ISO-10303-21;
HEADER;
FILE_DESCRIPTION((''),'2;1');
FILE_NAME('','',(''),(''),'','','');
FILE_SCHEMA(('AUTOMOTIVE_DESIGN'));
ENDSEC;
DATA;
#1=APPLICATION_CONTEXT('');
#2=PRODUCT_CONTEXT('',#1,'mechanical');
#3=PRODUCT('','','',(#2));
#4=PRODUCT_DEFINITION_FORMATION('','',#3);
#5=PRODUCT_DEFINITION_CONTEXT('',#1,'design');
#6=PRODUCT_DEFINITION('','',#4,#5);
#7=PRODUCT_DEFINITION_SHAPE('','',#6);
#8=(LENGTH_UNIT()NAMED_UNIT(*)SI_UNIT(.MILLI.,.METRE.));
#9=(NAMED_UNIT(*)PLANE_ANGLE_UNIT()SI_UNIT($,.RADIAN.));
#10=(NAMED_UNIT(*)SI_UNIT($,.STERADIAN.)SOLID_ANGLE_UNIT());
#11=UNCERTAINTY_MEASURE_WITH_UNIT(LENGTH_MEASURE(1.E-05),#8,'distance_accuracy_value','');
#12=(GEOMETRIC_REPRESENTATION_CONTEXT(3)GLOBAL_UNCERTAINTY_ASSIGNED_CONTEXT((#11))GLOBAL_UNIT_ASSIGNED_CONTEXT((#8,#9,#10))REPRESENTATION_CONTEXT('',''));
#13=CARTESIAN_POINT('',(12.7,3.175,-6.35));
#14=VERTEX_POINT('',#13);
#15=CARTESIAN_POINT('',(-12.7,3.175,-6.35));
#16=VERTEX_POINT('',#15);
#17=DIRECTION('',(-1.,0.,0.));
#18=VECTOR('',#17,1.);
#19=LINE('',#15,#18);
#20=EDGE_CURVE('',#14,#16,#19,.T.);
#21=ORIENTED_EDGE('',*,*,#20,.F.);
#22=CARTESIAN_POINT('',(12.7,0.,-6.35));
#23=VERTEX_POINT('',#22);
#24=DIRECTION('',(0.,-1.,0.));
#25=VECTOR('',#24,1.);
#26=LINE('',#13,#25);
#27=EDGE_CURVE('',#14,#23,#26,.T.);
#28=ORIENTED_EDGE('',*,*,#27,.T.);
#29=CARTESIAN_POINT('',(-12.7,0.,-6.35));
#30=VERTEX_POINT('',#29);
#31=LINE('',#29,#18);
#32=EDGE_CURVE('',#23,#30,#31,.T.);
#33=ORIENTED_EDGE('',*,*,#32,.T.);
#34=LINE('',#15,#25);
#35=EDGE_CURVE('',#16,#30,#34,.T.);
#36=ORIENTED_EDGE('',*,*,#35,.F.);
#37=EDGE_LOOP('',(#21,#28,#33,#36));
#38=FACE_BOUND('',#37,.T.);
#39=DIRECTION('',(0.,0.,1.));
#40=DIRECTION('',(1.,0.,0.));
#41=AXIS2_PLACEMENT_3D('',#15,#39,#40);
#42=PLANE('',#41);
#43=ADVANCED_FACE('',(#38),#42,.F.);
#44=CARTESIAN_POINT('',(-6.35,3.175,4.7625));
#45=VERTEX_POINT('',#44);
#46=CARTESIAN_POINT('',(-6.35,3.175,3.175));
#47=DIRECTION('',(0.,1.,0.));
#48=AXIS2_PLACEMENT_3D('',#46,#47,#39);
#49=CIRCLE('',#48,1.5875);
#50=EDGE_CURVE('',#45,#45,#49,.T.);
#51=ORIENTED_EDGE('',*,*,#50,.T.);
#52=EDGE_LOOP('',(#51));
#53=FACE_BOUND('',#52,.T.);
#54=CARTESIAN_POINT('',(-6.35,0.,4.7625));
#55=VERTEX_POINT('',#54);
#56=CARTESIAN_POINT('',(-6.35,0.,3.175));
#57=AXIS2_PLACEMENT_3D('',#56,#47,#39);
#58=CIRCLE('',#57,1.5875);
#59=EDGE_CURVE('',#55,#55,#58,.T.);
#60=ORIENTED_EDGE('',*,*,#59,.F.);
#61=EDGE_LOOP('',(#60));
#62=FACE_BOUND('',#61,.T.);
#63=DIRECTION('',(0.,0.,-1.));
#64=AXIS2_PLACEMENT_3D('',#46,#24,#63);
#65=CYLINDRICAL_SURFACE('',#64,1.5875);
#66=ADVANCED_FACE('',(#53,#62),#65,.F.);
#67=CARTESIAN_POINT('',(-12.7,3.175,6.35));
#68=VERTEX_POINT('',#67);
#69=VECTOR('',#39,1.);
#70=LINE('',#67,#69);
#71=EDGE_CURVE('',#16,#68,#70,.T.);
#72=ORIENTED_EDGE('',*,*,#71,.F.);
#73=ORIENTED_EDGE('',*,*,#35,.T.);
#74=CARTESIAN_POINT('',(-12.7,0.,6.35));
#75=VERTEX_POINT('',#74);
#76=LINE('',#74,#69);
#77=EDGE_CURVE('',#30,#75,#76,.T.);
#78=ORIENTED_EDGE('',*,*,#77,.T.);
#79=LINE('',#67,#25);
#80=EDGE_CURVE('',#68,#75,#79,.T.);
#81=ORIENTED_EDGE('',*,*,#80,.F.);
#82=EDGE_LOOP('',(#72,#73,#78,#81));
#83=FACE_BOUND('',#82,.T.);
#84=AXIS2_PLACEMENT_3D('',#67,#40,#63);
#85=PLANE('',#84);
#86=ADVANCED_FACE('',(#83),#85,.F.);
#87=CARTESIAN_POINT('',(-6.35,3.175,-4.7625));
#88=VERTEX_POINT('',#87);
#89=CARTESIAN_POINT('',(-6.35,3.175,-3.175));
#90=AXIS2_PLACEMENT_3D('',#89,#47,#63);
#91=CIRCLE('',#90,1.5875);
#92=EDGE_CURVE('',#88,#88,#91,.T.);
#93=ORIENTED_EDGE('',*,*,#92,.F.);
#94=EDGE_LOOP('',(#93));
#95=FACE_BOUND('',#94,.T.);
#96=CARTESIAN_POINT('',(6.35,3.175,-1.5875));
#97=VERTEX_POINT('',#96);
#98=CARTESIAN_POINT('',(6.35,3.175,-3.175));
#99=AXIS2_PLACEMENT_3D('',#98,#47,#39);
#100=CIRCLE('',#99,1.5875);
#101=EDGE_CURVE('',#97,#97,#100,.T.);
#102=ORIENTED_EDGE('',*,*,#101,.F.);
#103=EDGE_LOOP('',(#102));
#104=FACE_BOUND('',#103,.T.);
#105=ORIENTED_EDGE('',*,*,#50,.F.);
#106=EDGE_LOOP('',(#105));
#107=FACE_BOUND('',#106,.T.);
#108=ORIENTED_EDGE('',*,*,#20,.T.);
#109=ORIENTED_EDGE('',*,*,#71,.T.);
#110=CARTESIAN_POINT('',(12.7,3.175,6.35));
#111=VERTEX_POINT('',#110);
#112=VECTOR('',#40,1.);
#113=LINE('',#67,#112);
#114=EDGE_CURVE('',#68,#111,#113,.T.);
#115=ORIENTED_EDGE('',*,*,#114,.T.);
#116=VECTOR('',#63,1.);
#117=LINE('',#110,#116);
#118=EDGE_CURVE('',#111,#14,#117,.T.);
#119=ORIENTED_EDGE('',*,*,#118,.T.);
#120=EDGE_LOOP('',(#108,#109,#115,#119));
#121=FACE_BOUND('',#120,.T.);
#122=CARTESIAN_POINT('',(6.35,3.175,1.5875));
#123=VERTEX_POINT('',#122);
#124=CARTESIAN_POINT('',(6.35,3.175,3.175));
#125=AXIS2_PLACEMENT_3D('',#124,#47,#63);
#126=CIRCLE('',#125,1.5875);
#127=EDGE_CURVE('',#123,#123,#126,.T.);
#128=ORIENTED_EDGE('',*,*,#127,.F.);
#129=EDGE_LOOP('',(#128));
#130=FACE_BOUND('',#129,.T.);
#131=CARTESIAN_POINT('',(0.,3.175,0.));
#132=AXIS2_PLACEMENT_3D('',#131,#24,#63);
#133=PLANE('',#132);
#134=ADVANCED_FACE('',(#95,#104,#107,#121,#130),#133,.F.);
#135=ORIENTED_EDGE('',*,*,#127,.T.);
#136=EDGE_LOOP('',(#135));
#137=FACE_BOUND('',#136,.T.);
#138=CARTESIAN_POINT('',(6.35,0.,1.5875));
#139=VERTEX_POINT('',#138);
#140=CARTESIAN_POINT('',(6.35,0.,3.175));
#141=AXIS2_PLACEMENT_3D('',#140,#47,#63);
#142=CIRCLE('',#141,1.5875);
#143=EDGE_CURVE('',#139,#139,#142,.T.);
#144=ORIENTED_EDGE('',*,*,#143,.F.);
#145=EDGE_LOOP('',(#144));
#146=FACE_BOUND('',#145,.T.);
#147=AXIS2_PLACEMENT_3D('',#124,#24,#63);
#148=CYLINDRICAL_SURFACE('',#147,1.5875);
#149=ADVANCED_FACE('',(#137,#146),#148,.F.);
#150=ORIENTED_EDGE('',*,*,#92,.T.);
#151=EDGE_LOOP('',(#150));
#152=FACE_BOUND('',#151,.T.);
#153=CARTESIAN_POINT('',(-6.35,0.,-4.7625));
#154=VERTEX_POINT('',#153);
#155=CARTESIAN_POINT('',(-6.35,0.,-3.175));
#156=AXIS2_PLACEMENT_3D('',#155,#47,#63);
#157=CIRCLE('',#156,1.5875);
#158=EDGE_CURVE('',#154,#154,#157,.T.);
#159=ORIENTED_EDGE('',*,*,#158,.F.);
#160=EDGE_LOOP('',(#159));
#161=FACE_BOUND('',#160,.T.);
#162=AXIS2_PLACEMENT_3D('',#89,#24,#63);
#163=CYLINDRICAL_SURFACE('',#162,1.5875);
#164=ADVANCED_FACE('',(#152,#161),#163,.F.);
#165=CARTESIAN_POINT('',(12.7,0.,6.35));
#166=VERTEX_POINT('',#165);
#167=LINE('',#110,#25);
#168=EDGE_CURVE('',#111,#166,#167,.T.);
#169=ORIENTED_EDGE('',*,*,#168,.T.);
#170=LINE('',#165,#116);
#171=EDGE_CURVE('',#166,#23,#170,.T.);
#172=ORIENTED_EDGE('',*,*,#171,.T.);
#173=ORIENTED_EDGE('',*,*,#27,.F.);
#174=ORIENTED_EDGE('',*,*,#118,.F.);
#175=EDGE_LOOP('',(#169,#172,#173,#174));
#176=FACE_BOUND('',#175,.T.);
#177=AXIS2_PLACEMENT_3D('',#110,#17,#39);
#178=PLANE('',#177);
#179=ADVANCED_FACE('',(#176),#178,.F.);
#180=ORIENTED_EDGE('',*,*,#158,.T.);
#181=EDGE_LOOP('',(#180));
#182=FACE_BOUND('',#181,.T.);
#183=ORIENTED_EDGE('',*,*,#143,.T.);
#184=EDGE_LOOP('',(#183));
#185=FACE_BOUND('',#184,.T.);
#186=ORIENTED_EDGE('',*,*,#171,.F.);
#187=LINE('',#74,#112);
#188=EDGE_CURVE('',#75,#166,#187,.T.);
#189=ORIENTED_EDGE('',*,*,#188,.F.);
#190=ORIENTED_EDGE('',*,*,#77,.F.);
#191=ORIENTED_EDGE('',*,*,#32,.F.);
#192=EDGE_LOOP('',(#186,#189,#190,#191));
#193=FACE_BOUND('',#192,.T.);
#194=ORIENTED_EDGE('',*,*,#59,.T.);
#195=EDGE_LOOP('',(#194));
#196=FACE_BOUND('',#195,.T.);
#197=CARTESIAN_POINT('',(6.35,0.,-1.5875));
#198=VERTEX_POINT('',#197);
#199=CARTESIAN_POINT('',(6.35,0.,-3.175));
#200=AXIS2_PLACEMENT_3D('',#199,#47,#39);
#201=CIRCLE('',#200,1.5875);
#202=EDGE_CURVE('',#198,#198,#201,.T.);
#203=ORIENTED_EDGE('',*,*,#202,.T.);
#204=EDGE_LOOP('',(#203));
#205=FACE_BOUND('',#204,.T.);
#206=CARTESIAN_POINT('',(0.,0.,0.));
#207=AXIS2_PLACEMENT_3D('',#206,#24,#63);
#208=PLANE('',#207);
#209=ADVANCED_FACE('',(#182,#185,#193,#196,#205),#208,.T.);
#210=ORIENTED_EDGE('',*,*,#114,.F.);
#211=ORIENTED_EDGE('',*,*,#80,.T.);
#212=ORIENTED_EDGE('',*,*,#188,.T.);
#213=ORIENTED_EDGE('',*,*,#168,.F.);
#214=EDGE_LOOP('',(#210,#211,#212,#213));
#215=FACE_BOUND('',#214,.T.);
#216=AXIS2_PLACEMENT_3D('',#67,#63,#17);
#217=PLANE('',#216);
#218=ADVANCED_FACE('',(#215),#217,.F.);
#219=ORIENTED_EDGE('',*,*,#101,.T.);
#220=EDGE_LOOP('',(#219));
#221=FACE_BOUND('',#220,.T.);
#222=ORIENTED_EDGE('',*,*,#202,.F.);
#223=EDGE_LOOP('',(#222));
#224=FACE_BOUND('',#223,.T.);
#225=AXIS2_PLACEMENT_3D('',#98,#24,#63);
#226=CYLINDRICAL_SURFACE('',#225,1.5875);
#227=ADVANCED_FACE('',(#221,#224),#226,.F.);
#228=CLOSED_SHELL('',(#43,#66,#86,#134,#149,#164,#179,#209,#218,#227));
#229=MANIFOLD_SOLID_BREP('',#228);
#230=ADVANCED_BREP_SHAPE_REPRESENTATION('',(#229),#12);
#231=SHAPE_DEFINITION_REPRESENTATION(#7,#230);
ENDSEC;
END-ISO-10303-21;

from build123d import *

# Parameters (mm, degrees)
SKETCH1_W           = 25.4
SKETCH1_H           = 12.7
SKETCH1_R           = 1.5875
BOSS_EXTRUDE1_DEPTH = 3.175


with BuildPart() as part:
    # Sketch1 → Boss-Extrude1 (new body)
    with BuildSketch(Plane(origin=(0, 0, 0), x_dir=(1, 0, 0), z_dir=(0, 1, 0))):
        Rectangle(SKETCH1_W, SKETCH1_H)
        with Locations(Location((6.35, 3.175, 0), (0, 0, 270))):
            Circle(SKETCH1_R, mode=Mode.SUBTRACT)
        with Locations(Location((-6.35, 3.175, 0), (0, 0, 90))):
            Circle(SKETCH1_R, mode=Mode.SUBTRACT)
        with Locations(Location((-6.35, -3.175, 0), (0, 0, 270))):
            Circle(SKETCH1_R, mode=Mode.SUBTRACT)
        with Locations(Location((6.35, -3.175, 0), (0, 0, 90))):
            Circle(SKETCH1_R, mode=Mode.SUBTRACT)
    extrude(amount=BOSS_EXTRUDE1_DEPTH)


solid = part.part
